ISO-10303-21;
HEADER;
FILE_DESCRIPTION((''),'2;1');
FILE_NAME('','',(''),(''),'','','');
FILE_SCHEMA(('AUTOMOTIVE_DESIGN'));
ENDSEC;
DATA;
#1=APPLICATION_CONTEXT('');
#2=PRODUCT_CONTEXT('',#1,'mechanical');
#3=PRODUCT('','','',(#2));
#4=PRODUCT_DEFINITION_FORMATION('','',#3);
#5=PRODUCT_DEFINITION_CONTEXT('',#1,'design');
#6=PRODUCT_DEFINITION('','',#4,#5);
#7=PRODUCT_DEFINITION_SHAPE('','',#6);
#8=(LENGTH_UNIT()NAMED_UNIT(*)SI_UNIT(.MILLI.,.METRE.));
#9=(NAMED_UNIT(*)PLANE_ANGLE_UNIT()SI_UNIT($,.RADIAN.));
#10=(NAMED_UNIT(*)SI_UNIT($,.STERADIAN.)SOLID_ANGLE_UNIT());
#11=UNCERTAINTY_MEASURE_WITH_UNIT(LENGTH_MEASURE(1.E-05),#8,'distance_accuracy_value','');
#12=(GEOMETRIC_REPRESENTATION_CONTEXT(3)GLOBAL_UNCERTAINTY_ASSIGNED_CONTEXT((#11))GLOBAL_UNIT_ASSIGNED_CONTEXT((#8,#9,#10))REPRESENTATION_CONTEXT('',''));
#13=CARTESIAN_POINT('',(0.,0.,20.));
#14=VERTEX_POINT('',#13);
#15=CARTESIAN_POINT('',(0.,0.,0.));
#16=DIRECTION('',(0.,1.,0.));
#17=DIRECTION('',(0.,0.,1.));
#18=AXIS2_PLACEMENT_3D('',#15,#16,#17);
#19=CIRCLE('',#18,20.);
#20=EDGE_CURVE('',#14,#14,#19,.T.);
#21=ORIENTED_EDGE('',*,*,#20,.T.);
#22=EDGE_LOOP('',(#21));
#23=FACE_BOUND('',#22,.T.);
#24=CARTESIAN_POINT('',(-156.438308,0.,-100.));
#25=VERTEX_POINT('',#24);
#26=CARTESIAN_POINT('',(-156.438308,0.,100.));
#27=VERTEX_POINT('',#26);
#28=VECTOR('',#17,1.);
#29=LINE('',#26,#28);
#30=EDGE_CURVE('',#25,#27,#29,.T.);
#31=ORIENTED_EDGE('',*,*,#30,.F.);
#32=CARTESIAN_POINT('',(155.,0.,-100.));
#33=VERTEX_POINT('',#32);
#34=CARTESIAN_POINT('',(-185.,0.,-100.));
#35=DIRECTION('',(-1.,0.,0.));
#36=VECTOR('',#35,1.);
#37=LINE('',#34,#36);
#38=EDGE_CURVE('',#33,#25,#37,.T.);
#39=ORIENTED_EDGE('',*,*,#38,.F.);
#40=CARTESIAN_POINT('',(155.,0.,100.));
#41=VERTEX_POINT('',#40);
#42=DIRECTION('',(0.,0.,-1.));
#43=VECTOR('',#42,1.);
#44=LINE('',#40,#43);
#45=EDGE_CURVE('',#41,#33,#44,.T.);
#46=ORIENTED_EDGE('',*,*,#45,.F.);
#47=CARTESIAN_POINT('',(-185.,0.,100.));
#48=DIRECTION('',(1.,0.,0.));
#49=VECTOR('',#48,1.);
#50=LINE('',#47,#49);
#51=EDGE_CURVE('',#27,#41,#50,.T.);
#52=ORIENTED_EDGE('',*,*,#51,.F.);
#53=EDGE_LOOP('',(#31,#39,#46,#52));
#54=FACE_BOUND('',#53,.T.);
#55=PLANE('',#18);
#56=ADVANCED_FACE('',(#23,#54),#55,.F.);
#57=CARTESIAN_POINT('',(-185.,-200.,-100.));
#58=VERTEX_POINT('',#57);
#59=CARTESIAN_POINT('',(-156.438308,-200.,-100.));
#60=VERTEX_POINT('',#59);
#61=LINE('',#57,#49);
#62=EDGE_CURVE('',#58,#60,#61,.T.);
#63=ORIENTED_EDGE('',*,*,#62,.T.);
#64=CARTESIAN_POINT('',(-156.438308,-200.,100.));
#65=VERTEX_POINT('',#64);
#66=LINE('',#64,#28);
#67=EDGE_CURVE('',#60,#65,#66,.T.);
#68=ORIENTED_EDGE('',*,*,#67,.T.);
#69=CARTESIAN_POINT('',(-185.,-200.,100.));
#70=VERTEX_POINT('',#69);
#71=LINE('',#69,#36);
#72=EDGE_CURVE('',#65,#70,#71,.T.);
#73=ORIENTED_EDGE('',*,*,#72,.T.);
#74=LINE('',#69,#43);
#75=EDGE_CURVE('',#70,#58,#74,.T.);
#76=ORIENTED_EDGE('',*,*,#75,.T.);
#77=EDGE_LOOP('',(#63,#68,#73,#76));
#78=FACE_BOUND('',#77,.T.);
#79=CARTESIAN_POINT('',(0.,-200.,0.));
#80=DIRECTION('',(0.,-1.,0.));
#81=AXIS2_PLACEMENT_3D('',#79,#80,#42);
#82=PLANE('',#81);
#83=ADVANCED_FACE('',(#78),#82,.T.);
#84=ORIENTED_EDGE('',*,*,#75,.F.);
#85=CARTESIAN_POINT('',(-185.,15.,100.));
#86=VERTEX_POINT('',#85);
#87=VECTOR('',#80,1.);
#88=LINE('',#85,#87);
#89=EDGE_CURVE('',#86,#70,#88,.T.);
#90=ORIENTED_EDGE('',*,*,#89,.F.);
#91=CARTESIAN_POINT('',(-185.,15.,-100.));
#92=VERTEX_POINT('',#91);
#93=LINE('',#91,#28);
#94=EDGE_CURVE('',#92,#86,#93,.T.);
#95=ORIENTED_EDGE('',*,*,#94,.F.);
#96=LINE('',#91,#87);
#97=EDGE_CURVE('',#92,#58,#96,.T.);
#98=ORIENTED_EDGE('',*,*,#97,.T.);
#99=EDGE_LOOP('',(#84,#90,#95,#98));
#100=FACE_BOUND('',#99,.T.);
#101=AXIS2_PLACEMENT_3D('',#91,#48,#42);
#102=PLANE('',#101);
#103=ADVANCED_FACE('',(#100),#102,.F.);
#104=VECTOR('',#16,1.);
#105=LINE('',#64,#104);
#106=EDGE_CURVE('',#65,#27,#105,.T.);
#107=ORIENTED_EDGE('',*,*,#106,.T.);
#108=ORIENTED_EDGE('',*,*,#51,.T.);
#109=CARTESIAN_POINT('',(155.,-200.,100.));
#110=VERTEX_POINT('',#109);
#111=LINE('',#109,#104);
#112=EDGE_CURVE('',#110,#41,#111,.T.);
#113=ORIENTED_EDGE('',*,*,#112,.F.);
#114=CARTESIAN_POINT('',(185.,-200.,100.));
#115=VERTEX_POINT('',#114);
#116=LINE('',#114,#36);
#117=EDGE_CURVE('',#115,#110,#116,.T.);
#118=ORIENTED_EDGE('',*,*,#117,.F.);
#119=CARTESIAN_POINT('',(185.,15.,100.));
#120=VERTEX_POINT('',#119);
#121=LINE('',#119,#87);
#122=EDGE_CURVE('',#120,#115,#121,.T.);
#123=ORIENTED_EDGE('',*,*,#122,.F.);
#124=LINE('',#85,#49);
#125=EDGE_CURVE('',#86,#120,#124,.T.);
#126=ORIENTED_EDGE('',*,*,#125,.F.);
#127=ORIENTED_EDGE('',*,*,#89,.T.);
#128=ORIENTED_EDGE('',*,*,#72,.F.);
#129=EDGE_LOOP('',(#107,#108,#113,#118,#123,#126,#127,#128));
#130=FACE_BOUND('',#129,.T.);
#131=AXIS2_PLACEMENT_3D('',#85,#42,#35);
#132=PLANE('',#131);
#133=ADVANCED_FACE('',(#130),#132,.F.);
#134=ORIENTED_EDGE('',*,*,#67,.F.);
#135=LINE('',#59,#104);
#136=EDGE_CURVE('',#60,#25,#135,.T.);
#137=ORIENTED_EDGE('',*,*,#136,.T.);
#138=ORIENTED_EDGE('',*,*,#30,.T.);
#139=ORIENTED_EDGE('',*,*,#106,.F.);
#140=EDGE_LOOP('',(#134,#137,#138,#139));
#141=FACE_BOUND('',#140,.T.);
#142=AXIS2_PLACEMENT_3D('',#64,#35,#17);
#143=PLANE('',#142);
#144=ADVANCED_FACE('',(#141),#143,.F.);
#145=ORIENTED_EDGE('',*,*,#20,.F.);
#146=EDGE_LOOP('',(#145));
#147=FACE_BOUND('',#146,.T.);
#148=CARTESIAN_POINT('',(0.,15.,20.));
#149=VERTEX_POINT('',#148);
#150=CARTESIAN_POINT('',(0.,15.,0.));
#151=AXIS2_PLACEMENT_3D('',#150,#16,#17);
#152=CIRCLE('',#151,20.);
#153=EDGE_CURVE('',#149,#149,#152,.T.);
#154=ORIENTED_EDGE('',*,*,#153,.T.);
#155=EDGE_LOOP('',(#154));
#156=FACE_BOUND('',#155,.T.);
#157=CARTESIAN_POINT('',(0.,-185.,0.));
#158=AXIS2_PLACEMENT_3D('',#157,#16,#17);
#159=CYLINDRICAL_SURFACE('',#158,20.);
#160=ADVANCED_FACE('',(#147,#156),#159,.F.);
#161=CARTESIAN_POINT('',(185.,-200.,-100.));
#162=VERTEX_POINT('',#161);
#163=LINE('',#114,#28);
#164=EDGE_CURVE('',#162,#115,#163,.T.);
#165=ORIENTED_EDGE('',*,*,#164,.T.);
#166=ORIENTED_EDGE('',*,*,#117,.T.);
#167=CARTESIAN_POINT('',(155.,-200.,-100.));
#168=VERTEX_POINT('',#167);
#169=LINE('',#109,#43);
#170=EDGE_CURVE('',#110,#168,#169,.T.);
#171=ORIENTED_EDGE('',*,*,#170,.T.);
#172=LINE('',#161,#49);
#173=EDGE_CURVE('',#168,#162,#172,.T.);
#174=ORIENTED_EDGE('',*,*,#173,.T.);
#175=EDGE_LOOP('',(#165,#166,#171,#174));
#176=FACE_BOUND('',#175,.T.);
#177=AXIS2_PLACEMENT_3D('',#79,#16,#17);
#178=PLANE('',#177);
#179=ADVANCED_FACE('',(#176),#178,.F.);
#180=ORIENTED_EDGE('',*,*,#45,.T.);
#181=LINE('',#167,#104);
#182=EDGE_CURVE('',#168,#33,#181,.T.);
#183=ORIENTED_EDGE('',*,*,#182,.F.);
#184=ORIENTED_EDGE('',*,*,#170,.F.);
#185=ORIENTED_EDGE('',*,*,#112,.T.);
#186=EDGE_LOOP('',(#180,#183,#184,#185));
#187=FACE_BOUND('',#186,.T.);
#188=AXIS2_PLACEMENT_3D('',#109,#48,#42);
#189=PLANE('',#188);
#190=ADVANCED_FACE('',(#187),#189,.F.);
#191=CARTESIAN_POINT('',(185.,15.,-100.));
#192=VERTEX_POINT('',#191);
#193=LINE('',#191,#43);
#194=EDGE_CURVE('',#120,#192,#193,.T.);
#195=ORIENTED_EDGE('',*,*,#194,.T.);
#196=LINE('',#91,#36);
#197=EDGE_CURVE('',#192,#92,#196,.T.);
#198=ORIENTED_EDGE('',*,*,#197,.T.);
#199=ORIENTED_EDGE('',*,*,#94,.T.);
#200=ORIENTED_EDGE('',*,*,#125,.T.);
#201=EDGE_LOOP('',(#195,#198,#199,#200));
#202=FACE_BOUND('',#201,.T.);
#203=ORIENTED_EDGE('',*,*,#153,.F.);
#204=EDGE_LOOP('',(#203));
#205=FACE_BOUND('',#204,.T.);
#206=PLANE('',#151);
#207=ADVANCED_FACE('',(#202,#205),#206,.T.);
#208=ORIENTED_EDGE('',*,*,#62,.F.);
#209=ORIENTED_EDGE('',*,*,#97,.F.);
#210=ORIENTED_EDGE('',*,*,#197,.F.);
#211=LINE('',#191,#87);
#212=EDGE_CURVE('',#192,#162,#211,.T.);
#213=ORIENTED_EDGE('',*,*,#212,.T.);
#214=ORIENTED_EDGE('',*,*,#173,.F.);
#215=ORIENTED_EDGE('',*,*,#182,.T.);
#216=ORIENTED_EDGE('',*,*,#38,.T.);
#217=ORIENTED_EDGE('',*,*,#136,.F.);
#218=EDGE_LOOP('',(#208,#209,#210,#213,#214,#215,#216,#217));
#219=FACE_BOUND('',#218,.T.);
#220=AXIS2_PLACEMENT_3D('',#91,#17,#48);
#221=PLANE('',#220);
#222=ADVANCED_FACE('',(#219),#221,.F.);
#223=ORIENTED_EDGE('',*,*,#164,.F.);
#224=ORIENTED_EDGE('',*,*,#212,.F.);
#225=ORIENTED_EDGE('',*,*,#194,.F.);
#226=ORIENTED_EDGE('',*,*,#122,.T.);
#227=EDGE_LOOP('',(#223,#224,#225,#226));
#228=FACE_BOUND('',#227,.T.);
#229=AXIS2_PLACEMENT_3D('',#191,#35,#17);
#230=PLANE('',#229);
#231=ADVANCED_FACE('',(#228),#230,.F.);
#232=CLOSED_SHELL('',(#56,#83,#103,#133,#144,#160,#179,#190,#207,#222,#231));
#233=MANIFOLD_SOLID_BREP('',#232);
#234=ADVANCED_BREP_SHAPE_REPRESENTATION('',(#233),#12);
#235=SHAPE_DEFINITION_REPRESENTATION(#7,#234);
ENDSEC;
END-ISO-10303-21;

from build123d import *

# Parameters (mm, degrees)
SKETCH1_W           = 370
SKETCH1_H           = 200
BOSS_EXTRUDE1_DEPTH = 15
SKETCH2_W           = 28.561692334
SKETCH2_H           = 200
SKETCH2_W_2         = 30
BOSS_EXTRUDE2_DEPTH = 200
SKETCH3_R           = 20
CUT_EXTRUDE1_DEPTH  = 200


with BuildPart() as part:
    # Sketch1 → Boss-Extrude1 (new body)
    with BuildSketch(Plane(origin=(0, 0, 0), x_dir=(1, 0, 0), z_dir=(0, 1, 0))):
        Rectangle(SKETCH1_W, SKETCH1_H)
    extrude(amount=BOSS_EXTRUDE1_DEPTH)

    # Sketch2 → Boss-Extrude2 (add)
    with BuildSketch(Plane.XZ):
        with Locations((-170.719153833, 0)):
            Rectangle(SKETCH2_W, SKETCH2_H)
        with Locations((170, 0)):
            Rectangle(SKETCH2_W_2, SKETCH2_H)
    extrude(amount=BOSS_EXTRUDE2_DEPTH)

    # Sketch3 → Cut-Extrude1 (cut)
    with BuildSketch(Plane(origin=(0, 15, 0), x_dir=(1, 0, 0), z_dir=(0, 1, 0))):
        with Locations(Location((0, 0, 0), (0, 0, 270))):
            Circle(SKETCH3_R)
    extrude(amount=-CUT_EXTRUDE1_DEPTH, mode=Mode.SUBTRACT)


solid = part.part
